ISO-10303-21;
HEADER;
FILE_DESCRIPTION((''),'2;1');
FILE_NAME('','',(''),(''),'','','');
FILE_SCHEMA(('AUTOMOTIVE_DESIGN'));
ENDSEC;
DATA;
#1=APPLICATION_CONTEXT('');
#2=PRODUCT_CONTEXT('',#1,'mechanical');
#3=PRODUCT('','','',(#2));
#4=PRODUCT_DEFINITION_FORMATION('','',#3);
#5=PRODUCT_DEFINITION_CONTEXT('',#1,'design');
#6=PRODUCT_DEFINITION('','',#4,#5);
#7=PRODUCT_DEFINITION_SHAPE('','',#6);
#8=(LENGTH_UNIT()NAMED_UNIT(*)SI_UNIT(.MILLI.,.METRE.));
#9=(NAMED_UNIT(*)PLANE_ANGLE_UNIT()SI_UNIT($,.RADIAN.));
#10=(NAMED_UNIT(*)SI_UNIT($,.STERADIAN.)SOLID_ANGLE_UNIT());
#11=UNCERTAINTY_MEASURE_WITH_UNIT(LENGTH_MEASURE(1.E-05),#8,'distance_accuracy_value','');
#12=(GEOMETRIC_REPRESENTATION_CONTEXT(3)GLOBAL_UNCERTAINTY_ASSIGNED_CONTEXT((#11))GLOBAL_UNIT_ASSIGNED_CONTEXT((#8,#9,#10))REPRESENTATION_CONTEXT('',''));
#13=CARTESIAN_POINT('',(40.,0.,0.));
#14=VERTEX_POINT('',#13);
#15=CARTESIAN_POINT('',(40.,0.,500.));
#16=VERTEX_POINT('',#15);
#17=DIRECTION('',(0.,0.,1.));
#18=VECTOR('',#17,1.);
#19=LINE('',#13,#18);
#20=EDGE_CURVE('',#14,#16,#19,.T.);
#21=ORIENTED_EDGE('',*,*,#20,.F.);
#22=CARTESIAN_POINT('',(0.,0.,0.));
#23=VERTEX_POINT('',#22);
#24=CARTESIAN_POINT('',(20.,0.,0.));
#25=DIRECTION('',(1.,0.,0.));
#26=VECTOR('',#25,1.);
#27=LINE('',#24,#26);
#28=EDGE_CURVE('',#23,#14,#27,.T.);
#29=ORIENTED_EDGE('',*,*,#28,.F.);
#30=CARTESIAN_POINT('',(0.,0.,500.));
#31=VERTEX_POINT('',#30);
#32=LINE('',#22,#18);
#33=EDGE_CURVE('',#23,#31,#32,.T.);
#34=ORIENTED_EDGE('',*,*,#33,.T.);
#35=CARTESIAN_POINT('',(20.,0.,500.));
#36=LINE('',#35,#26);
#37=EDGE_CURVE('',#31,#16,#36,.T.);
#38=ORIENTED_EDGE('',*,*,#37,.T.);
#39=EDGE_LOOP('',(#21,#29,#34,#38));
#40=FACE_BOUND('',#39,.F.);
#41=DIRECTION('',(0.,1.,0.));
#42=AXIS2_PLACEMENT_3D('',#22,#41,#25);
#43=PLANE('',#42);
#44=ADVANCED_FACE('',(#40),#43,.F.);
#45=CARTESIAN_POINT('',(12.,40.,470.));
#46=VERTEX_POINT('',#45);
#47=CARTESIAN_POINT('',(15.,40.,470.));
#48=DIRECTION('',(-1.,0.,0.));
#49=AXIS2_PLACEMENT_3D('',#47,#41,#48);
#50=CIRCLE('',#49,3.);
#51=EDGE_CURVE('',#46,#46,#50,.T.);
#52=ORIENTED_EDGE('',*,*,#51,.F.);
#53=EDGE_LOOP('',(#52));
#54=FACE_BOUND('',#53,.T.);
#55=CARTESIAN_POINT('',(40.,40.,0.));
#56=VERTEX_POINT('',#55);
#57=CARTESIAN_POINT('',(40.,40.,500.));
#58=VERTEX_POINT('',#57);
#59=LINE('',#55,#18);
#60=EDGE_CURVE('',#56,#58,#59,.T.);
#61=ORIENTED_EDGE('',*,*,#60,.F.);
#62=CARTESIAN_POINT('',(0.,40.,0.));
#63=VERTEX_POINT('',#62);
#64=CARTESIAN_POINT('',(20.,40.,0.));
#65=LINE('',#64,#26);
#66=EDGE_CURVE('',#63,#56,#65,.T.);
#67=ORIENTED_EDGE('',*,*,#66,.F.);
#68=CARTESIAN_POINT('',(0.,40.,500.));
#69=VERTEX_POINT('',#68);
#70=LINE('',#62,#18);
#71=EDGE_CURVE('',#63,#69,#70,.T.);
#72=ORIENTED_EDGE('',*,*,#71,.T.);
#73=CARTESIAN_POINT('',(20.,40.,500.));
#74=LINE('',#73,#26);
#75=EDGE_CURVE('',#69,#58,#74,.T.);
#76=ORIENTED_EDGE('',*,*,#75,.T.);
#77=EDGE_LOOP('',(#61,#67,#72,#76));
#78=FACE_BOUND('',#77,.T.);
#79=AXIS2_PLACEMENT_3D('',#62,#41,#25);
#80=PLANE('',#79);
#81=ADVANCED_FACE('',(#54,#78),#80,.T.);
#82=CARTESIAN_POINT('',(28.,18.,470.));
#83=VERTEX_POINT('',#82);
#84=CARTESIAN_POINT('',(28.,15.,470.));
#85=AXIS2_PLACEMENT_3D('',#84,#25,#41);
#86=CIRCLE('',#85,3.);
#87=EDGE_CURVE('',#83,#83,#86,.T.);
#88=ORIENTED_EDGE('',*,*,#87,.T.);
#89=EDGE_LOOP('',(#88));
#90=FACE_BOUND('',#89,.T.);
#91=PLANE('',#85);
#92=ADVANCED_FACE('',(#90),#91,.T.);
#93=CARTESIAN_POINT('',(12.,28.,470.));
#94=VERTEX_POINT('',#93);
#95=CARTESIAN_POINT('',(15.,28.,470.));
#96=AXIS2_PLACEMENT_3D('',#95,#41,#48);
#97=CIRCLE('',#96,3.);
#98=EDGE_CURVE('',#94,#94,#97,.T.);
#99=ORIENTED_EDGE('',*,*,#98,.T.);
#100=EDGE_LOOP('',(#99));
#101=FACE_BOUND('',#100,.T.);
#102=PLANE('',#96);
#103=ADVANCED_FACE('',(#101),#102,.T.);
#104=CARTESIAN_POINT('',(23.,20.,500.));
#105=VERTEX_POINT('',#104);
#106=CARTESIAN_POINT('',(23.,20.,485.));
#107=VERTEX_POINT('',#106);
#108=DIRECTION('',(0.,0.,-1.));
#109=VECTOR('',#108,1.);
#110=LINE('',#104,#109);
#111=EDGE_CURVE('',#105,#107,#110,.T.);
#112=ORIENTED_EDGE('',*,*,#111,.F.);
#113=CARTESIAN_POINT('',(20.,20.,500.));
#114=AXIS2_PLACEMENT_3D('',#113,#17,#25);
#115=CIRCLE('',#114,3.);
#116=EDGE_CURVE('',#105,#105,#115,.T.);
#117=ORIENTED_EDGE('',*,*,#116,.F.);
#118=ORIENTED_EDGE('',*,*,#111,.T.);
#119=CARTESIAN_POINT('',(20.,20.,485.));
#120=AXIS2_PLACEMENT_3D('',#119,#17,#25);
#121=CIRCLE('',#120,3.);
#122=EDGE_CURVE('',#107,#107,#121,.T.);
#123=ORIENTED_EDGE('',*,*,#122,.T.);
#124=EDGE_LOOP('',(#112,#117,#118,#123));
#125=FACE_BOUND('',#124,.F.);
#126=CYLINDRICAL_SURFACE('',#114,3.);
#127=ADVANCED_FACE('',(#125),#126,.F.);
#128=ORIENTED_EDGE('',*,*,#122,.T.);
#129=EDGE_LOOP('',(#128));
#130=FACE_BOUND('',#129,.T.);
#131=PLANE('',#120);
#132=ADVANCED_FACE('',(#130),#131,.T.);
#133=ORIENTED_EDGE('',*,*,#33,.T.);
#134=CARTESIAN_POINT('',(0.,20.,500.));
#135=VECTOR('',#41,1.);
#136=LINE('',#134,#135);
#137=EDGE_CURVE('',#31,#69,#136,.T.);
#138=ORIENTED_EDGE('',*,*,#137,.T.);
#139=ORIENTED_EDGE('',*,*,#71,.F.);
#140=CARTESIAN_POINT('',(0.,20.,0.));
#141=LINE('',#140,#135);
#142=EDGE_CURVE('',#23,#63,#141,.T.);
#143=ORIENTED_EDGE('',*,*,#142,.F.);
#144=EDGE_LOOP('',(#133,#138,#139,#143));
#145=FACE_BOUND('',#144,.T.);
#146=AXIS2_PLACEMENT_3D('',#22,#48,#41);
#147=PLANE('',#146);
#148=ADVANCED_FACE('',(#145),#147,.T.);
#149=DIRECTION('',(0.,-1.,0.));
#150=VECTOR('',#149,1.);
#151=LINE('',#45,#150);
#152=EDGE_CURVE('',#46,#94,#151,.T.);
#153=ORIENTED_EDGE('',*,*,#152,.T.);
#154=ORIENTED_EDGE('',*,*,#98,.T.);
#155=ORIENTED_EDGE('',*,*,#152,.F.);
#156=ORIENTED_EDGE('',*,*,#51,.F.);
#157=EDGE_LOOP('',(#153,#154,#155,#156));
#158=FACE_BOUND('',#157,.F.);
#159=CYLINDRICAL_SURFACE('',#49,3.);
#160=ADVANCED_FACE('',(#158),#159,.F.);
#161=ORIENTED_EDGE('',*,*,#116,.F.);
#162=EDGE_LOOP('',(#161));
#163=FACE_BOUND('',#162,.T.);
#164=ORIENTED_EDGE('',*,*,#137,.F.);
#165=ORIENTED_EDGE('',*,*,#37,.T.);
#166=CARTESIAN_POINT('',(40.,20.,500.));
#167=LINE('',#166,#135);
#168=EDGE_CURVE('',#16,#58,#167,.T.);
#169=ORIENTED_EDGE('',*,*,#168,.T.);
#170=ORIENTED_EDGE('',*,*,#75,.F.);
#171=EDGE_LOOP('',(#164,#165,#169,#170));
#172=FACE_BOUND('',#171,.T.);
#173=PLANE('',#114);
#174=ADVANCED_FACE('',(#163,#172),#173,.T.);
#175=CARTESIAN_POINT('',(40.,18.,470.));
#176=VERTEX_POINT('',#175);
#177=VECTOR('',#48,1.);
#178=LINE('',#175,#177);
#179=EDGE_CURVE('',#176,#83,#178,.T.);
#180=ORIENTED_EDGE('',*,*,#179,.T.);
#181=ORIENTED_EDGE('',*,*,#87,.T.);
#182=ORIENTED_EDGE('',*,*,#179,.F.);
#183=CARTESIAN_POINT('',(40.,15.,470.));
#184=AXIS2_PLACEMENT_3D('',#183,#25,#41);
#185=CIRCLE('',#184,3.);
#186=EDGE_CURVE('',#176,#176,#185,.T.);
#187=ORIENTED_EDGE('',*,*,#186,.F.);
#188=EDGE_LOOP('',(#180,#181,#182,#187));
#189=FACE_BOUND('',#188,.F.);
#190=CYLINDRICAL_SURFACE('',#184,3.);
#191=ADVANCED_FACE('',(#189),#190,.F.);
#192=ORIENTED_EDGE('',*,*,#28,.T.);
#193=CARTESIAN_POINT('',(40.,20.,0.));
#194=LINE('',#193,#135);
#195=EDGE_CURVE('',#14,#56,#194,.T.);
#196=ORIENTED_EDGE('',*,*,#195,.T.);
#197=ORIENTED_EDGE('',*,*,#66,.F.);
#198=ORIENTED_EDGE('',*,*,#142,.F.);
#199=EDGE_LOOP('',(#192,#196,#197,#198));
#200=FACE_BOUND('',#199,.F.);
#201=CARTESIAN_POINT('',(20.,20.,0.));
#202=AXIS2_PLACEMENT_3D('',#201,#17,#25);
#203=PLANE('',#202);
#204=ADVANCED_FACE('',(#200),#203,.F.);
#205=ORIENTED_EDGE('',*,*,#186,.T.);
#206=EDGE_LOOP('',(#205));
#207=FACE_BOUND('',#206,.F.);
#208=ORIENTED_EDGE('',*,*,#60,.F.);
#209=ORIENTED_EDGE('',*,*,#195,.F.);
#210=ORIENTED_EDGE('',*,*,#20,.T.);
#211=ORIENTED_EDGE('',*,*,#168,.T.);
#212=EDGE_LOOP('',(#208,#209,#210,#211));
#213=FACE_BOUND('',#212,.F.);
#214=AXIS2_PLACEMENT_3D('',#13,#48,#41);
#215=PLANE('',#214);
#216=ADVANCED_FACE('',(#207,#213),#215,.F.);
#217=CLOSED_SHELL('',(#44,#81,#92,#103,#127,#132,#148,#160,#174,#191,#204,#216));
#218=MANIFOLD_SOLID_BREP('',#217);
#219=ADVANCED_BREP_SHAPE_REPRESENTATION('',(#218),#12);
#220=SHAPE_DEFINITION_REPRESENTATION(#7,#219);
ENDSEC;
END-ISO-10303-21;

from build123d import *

# Parameters (mm, degrees)
F0_W     = 40
F0_H     = 40
F1_DEPTH = 500
F2_R     = 3
F3_DEPTH = 12
F4_R     = 3
F5_DEPTH = 12
F6_R     = 3
F7_DEPTH = 15


with BuildPart() as f1:
    # F0 (on Top) → F1 (new body)
    with BuildSketch(Plane.XY):
        with Locations((20, 20)):
            Rectangle(F0_W, F0_H)
    extrude(amount=F1_DEPTH)

    # F2 (on face) → F3 (cut)
    with BuildSketch(Plane.YZ.offset(40)):
        with Locations((15, 470)):
            Circle(F2_R)
    extrude(amount=-F3_DEPTH, mode=Mode.SUBTRACT)

    # F4 (on face) → F5 (cut)
    with BuildSketch(Plane(origin=(0, 40, 0), x_dir=(-1, 0, 0), z_dir=(0, 1, 0))):
        with Locations((-15, 470)):
            Circle(F4_R)
    extrude(amount=-F5_DEPTH, mode=Mode.SUBTRACT)

    # F6 (on face) → F7 (cut)
    with BuildSketch(Plane.XY.offset(500)):
        with Locations((20, 20)):
            Circle(F6_R)
    extrude(amount=-F7_DEPTH, mode=Mode.SUBTRACT)


solid = f1.part
